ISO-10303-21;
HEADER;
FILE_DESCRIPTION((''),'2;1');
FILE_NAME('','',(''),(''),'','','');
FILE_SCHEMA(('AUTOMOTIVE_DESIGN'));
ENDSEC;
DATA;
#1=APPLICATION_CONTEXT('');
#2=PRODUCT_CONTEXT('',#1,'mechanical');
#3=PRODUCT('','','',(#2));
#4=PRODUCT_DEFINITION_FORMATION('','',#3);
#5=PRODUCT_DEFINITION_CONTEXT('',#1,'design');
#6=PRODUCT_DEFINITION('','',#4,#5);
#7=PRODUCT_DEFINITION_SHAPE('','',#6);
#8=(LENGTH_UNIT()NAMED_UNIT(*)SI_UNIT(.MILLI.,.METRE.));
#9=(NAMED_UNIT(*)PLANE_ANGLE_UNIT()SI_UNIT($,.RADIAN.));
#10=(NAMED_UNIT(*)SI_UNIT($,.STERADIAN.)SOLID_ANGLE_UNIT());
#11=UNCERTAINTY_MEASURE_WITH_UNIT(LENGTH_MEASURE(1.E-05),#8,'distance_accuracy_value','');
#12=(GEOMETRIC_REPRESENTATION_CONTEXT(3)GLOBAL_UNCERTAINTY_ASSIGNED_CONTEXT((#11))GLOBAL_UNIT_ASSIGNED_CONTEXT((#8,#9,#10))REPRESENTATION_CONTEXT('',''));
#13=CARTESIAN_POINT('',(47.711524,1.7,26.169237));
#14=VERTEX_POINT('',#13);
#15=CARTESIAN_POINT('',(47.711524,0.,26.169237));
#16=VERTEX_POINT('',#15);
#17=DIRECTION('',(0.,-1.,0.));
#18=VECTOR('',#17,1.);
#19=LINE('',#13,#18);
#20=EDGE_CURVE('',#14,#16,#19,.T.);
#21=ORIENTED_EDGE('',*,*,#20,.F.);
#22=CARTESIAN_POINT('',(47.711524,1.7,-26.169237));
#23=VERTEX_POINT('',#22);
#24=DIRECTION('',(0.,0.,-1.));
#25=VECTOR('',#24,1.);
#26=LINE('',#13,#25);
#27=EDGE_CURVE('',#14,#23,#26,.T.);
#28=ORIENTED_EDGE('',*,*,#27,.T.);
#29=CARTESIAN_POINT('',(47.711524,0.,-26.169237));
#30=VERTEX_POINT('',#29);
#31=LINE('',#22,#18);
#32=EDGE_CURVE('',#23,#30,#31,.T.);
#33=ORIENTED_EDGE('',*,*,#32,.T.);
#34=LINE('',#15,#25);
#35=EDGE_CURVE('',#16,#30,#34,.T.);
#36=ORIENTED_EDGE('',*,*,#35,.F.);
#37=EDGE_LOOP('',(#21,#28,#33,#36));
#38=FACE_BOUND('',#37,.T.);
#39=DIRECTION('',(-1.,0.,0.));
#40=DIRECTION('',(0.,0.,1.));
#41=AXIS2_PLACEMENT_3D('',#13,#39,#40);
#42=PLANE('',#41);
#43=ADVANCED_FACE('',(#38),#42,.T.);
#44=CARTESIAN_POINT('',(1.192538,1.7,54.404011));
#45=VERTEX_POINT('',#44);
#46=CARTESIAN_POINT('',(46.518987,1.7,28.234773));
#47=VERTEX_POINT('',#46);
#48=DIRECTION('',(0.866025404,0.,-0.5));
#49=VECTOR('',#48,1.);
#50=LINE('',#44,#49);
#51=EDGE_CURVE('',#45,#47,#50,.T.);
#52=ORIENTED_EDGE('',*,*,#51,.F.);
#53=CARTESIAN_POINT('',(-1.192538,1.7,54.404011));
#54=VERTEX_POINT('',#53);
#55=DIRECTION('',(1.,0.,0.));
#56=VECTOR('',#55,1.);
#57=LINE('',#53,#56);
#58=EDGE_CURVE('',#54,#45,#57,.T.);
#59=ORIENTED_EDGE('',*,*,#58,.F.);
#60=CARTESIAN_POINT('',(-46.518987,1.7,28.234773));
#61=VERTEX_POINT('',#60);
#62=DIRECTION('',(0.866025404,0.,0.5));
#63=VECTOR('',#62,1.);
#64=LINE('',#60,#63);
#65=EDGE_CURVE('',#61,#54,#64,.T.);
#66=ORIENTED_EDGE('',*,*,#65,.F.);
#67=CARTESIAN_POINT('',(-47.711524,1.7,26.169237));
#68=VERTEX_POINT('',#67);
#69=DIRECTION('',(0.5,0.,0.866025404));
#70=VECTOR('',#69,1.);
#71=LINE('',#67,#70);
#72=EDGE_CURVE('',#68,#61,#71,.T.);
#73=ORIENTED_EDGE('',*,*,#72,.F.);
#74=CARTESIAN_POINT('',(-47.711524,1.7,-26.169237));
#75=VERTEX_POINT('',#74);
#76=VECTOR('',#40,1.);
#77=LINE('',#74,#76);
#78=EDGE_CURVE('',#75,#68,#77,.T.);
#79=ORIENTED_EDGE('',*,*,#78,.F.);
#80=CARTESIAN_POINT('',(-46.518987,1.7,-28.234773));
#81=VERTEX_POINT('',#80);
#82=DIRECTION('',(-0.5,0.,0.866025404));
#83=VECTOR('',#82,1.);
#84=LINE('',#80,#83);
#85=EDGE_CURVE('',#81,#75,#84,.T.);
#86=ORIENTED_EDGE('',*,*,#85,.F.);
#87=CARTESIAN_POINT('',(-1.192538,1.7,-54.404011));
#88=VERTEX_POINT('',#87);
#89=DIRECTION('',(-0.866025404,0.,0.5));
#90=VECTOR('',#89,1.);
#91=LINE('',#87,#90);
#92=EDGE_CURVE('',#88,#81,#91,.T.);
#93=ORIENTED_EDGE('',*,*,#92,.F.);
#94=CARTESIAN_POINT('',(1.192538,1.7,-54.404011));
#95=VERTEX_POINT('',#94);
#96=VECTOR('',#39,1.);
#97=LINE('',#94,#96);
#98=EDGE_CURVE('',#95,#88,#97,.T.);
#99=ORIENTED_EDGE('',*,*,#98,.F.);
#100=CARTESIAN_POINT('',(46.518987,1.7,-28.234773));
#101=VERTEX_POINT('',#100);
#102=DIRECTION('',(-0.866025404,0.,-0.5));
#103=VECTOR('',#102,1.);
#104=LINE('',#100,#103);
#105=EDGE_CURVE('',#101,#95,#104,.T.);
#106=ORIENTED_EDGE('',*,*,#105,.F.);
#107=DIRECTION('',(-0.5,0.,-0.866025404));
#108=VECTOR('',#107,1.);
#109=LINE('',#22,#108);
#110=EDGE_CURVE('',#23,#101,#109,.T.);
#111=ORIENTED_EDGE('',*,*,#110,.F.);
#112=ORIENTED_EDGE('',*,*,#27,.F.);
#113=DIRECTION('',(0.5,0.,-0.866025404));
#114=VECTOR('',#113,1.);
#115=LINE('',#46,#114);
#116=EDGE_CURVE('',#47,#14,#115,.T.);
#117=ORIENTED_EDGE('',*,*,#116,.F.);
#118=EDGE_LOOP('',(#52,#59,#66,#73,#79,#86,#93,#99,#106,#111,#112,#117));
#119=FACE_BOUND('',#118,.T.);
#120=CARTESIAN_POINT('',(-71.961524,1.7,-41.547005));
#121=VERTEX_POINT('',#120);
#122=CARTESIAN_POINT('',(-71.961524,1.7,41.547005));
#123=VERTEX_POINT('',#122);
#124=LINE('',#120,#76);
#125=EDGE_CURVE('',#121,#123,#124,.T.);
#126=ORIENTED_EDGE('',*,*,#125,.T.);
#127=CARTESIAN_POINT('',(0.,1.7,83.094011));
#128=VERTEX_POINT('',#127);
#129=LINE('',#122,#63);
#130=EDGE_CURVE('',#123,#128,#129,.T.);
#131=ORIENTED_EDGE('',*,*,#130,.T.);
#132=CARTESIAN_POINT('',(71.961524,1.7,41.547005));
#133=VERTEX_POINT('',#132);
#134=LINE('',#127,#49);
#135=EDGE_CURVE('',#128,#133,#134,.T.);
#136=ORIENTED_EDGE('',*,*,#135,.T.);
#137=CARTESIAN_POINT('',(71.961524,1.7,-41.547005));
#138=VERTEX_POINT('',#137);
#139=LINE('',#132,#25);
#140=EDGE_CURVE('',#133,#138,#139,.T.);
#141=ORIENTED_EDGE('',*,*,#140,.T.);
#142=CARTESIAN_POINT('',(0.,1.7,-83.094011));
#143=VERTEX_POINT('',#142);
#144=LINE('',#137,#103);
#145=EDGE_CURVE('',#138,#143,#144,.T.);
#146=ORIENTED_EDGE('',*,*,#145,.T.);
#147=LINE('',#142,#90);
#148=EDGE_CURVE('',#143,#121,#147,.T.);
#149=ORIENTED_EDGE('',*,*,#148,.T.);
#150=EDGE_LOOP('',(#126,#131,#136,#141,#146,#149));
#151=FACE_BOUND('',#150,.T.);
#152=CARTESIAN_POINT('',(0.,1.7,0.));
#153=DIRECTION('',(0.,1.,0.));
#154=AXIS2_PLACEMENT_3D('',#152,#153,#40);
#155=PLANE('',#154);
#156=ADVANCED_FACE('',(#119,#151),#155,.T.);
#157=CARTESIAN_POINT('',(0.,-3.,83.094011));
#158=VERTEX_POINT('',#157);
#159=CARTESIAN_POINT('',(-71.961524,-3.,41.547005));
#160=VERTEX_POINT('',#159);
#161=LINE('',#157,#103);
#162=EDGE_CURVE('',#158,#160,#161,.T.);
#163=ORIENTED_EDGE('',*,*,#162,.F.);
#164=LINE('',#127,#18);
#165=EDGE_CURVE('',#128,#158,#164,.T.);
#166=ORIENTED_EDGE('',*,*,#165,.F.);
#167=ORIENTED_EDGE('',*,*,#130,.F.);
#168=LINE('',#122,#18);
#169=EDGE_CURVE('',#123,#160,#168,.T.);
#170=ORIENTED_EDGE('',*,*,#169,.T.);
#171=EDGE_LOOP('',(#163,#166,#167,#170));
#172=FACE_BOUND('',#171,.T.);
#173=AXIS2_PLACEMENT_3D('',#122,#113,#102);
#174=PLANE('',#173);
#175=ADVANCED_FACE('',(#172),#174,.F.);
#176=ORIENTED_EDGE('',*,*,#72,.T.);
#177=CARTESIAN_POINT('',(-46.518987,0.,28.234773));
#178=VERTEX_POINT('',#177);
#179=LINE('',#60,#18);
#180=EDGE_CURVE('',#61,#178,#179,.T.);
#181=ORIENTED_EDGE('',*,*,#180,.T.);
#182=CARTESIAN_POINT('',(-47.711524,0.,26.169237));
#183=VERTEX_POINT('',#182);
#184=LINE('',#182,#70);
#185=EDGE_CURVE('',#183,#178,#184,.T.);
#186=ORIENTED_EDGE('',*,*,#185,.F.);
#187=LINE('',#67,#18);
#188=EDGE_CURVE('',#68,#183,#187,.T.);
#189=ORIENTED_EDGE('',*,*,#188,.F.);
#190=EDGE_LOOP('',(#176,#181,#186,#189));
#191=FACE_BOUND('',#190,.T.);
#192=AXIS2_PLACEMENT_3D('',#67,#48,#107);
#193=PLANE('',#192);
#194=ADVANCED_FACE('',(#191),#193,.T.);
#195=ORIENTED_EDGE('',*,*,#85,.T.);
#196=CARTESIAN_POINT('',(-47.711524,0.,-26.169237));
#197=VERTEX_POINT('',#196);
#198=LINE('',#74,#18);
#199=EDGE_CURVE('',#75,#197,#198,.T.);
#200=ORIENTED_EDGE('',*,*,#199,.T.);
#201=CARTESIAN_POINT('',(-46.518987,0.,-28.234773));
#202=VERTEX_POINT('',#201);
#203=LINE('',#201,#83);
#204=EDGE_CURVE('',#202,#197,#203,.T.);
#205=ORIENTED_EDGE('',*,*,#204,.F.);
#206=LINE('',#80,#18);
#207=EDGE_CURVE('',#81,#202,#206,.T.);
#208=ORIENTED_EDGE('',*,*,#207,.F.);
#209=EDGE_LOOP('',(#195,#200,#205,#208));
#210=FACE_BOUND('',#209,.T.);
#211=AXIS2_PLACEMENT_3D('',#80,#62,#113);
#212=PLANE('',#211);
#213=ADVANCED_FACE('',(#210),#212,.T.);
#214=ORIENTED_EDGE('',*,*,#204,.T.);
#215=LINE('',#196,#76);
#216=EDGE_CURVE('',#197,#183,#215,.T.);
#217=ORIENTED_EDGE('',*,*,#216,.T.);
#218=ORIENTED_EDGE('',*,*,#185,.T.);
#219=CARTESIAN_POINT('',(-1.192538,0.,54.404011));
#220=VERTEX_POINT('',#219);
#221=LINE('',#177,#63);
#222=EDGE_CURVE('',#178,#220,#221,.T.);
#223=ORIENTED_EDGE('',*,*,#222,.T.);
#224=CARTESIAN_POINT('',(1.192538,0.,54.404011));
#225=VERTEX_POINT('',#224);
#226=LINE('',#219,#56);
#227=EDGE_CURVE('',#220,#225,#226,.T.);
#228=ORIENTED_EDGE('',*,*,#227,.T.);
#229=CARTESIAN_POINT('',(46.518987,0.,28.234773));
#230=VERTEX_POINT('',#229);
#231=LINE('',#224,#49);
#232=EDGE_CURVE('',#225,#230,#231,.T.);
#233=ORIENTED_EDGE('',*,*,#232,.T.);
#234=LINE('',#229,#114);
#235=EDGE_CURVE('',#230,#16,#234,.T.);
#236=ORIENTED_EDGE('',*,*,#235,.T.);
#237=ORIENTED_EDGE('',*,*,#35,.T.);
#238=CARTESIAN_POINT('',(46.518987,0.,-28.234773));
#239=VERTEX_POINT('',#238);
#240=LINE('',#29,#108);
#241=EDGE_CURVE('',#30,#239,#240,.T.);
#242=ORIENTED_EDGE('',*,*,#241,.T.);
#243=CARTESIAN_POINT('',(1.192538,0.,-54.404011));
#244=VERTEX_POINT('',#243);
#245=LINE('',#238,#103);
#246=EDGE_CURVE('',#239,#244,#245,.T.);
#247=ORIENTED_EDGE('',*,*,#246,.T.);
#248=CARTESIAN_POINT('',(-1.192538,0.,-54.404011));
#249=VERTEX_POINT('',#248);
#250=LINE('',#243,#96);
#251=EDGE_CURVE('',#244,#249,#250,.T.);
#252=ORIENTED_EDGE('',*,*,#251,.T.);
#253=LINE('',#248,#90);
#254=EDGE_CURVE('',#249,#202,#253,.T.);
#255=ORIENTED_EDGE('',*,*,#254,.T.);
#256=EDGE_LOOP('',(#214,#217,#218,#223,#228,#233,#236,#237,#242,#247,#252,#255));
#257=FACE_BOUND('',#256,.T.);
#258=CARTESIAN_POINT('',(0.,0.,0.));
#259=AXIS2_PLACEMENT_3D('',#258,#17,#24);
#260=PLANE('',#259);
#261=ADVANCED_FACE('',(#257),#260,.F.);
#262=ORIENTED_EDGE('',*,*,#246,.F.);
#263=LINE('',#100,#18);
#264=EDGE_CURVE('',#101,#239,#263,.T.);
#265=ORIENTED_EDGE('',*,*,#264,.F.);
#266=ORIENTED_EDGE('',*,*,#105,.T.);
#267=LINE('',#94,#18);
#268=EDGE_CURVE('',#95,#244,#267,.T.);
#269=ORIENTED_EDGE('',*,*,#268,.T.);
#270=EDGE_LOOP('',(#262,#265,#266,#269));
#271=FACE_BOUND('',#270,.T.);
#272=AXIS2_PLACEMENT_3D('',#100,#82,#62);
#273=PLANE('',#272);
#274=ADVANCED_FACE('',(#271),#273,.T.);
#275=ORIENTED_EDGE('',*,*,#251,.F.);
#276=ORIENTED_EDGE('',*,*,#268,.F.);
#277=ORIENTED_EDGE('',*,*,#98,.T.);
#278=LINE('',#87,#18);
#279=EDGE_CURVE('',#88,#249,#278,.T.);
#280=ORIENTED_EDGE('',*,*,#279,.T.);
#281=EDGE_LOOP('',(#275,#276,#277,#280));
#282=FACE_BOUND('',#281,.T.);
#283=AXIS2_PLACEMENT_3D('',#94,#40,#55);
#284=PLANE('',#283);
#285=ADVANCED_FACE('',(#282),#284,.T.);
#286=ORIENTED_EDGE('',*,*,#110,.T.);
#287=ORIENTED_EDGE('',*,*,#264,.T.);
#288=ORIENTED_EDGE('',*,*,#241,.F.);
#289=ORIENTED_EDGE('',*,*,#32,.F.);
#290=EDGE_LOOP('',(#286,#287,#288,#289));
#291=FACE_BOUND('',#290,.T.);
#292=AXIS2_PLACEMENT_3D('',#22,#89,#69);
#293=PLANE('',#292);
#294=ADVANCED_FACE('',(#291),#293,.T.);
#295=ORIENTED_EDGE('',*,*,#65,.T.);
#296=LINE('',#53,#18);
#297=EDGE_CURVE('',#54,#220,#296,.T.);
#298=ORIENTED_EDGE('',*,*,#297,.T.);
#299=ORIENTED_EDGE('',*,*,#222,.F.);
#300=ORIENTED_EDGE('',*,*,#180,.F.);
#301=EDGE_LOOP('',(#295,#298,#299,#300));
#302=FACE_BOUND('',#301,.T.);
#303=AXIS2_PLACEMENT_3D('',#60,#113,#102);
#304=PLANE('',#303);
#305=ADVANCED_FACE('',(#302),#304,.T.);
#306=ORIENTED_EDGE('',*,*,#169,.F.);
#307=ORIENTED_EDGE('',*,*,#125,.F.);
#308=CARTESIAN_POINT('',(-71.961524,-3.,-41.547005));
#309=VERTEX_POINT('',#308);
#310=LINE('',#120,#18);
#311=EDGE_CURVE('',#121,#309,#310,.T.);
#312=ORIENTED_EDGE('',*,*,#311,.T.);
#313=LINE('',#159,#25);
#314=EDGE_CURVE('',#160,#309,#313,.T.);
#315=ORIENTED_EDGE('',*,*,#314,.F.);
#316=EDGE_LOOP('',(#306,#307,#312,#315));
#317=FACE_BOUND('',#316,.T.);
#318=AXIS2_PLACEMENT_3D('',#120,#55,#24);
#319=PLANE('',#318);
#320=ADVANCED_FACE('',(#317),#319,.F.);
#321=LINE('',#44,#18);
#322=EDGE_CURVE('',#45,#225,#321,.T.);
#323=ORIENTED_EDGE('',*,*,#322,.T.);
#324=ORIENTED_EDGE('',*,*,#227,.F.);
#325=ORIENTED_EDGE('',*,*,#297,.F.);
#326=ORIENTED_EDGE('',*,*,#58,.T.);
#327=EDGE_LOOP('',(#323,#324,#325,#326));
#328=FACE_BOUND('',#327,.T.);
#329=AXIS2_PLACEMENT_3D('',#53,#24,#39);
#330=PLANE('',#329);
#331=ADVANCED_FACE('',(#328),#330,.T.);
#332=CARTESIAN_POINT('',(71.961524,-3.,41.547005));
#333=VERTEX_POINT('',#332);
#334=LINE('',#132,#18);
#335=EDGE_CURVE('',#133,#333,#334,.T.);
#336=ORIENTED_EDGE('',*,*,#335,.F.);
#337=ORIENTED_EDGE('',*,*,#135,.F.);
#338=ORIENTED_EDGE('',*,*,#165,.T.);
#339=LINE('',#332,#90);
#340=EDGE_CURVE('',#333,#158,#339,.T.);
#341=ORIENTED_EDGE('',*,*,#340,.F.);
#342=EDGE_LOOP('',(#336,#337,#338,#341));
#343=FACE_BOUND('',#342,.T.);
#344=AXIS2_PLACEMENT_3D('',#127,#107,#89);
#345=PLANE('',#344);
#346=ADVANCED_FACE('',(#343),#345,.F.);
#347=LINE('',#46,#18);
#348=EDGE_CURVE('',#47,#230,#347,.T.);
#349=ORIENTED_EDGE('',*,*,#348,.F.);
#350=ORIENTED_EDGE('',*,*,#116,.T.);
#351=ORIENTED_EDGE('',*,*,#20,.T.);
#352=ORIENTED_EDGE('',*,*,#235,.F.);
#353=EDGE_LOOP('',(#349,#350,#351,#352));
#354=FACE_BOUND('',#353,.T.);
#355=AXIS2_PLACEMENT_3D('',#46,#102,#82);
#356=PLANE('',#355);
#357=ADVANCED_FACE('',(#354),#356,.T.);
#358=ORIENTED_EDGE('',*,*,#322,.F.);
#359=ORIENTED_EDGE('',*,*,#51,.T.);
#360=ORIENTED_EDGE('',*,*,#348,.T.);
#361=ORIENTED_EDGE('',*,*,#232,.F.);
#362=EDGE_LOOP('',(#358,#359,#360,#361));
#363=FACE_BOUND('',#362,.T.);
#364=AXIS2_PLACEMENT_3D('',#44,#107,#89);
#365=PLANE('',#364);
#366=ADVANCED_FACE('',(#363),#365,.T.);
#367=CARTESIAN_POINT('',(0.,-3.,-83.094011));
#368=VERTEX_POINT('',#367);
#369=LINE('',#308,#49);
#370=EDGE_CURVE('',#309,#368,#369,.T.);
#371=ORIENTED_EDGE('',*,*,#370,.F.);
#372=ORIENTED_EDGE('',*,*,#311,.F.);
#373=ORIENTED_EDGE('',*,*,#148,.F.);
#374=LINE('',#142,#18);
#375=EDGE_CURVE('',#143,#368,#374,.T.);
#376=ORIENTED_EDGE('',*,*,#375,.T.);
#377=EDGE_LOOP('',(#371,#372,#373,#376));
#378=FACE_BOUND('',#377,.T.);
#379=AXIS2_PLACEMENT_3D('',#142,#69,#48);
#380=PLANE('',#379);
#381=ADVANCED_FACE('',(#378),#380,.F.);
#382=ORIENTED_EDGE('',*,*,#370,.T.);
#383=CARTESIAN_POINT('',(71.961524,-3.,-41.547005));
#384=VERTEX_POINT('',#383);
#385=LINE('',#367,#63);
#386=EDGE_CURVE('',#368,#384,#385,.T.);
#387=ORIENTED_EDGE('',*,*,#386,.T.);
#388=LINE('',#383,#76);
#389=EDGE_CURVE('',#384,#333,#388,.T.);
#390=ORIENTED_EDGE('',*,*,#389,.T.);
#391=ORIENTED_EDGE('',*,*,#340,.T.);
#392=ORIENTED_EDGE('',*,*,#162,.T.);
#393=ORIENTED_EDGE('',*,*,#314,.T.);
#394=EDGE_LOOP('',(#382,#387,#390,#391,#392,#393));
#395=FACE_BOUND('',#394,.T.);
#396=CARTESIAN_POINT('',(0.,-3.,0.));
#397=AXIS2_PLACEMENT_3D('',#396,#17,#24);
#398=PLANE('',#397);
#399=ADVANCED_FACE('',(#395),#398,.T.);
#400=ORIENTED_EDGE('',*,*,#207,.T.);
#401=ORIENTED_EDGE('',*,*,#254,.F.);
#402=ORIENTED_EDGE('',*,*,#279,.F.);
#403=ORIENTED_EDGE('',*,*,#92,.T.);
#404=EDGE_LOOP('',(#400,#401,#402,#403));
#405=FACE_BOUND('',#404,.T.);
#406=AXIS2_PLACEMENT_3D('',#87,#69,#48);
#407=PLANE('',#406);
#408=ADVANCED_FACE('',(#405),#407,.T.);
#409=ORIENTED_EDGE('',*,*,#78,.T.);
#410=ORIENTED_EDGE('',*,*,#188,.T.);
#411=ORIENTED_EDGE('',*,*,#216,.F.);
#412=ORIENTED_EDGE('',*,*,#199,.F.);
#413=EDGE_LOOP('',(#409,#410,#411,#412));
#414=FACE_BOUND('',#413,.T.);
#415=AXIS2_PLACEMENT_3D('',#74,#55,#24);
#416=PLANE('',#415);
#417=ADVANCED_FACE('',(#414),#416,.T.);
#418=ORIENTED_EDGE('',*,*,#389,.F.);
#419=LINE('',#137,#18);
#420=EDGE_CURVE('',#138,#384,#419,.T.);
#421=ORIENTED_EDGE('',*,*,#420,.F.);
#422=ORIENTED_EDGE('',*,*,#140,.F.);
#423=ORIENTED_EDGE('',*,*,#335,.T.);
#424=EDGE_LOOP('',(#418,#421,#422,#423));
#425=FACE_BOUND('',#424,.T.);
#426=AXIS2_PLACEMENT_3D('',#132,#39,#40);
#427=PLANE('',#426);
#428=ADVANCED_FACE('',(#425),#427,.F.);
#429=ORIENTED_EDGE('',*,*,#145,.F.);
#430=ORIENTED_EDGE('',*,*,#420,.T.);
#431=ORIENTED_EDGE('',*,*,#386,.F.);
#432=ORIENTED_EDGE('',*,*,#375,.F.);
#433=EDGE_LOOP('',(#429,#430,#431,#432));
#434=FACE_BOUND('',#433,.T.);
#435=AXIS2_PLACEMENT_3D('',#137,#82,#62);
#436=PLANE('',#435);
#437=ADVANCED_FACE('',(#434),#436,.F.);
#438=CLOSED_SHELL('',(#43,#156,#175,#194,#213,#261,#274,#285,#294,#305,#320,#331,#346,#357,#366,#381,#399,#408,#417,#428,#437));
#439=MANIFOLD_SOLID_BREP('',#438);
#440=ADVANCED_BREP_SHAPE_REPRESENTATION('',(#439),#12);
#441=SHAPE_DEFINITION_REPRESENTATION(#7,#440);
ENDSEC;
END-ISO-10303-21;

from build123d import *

# Parameters (mm, degrees)
BOSS_EXTRUDE2_DEPTH = 1.7
BOSS_EXTRUDE3_DEPTH = 3


with BuildPart() as part:
    # Sketch3 → Boss-Extrude2 (new body)
    with BuildSketch(Plane(origin=(0, 0, 0), x_dir=(1, 0, 0), z_dir=(0, 1, 0))):
        Polygon((0, -83.094010768), (71.961524227, -41.547005384), (71.961524227, 41.547005384), (0, 83.094010768), (-71.961524227, 41.547005384), (-71.961524227, -41.547005384), align=None)
        Polygon((-1.192537669, 54.404010768), (-46.518986558, 28.2347733), (-47.711524227, 26.169237467), (-47.711524227, -26.169237467), (-46.518986558, -28.2347733), (-1.192537669, -54.404010768), (1.192537669, -54.404010768), (46.518986558, -28.2347733), (47.711524227, -26.169237467), (47.711524227, 26.169237467), (46.518986558, 28.2347733), (1.192537669, 54.404010768), align=None, mode=Mode.SUBTRACT)
    extrude(amount=BOSS_EXTRUDE2_DEPTH)

    # Sketch6 → Boss-Extrude3 (add)
    with BuildSketch(Plane.XZ):
        Polygon((0, 83.094010768), (-71.961524227, 41.547005384), (-71.961524227, -41.547005384), (0, -83.094010768), (71.961524227, -41.547005384), (71.961524227, 41.547005384), align=None)
    extrude(amount=BOSS_EXTRUDE3_DEPTH)


solid = part.part
